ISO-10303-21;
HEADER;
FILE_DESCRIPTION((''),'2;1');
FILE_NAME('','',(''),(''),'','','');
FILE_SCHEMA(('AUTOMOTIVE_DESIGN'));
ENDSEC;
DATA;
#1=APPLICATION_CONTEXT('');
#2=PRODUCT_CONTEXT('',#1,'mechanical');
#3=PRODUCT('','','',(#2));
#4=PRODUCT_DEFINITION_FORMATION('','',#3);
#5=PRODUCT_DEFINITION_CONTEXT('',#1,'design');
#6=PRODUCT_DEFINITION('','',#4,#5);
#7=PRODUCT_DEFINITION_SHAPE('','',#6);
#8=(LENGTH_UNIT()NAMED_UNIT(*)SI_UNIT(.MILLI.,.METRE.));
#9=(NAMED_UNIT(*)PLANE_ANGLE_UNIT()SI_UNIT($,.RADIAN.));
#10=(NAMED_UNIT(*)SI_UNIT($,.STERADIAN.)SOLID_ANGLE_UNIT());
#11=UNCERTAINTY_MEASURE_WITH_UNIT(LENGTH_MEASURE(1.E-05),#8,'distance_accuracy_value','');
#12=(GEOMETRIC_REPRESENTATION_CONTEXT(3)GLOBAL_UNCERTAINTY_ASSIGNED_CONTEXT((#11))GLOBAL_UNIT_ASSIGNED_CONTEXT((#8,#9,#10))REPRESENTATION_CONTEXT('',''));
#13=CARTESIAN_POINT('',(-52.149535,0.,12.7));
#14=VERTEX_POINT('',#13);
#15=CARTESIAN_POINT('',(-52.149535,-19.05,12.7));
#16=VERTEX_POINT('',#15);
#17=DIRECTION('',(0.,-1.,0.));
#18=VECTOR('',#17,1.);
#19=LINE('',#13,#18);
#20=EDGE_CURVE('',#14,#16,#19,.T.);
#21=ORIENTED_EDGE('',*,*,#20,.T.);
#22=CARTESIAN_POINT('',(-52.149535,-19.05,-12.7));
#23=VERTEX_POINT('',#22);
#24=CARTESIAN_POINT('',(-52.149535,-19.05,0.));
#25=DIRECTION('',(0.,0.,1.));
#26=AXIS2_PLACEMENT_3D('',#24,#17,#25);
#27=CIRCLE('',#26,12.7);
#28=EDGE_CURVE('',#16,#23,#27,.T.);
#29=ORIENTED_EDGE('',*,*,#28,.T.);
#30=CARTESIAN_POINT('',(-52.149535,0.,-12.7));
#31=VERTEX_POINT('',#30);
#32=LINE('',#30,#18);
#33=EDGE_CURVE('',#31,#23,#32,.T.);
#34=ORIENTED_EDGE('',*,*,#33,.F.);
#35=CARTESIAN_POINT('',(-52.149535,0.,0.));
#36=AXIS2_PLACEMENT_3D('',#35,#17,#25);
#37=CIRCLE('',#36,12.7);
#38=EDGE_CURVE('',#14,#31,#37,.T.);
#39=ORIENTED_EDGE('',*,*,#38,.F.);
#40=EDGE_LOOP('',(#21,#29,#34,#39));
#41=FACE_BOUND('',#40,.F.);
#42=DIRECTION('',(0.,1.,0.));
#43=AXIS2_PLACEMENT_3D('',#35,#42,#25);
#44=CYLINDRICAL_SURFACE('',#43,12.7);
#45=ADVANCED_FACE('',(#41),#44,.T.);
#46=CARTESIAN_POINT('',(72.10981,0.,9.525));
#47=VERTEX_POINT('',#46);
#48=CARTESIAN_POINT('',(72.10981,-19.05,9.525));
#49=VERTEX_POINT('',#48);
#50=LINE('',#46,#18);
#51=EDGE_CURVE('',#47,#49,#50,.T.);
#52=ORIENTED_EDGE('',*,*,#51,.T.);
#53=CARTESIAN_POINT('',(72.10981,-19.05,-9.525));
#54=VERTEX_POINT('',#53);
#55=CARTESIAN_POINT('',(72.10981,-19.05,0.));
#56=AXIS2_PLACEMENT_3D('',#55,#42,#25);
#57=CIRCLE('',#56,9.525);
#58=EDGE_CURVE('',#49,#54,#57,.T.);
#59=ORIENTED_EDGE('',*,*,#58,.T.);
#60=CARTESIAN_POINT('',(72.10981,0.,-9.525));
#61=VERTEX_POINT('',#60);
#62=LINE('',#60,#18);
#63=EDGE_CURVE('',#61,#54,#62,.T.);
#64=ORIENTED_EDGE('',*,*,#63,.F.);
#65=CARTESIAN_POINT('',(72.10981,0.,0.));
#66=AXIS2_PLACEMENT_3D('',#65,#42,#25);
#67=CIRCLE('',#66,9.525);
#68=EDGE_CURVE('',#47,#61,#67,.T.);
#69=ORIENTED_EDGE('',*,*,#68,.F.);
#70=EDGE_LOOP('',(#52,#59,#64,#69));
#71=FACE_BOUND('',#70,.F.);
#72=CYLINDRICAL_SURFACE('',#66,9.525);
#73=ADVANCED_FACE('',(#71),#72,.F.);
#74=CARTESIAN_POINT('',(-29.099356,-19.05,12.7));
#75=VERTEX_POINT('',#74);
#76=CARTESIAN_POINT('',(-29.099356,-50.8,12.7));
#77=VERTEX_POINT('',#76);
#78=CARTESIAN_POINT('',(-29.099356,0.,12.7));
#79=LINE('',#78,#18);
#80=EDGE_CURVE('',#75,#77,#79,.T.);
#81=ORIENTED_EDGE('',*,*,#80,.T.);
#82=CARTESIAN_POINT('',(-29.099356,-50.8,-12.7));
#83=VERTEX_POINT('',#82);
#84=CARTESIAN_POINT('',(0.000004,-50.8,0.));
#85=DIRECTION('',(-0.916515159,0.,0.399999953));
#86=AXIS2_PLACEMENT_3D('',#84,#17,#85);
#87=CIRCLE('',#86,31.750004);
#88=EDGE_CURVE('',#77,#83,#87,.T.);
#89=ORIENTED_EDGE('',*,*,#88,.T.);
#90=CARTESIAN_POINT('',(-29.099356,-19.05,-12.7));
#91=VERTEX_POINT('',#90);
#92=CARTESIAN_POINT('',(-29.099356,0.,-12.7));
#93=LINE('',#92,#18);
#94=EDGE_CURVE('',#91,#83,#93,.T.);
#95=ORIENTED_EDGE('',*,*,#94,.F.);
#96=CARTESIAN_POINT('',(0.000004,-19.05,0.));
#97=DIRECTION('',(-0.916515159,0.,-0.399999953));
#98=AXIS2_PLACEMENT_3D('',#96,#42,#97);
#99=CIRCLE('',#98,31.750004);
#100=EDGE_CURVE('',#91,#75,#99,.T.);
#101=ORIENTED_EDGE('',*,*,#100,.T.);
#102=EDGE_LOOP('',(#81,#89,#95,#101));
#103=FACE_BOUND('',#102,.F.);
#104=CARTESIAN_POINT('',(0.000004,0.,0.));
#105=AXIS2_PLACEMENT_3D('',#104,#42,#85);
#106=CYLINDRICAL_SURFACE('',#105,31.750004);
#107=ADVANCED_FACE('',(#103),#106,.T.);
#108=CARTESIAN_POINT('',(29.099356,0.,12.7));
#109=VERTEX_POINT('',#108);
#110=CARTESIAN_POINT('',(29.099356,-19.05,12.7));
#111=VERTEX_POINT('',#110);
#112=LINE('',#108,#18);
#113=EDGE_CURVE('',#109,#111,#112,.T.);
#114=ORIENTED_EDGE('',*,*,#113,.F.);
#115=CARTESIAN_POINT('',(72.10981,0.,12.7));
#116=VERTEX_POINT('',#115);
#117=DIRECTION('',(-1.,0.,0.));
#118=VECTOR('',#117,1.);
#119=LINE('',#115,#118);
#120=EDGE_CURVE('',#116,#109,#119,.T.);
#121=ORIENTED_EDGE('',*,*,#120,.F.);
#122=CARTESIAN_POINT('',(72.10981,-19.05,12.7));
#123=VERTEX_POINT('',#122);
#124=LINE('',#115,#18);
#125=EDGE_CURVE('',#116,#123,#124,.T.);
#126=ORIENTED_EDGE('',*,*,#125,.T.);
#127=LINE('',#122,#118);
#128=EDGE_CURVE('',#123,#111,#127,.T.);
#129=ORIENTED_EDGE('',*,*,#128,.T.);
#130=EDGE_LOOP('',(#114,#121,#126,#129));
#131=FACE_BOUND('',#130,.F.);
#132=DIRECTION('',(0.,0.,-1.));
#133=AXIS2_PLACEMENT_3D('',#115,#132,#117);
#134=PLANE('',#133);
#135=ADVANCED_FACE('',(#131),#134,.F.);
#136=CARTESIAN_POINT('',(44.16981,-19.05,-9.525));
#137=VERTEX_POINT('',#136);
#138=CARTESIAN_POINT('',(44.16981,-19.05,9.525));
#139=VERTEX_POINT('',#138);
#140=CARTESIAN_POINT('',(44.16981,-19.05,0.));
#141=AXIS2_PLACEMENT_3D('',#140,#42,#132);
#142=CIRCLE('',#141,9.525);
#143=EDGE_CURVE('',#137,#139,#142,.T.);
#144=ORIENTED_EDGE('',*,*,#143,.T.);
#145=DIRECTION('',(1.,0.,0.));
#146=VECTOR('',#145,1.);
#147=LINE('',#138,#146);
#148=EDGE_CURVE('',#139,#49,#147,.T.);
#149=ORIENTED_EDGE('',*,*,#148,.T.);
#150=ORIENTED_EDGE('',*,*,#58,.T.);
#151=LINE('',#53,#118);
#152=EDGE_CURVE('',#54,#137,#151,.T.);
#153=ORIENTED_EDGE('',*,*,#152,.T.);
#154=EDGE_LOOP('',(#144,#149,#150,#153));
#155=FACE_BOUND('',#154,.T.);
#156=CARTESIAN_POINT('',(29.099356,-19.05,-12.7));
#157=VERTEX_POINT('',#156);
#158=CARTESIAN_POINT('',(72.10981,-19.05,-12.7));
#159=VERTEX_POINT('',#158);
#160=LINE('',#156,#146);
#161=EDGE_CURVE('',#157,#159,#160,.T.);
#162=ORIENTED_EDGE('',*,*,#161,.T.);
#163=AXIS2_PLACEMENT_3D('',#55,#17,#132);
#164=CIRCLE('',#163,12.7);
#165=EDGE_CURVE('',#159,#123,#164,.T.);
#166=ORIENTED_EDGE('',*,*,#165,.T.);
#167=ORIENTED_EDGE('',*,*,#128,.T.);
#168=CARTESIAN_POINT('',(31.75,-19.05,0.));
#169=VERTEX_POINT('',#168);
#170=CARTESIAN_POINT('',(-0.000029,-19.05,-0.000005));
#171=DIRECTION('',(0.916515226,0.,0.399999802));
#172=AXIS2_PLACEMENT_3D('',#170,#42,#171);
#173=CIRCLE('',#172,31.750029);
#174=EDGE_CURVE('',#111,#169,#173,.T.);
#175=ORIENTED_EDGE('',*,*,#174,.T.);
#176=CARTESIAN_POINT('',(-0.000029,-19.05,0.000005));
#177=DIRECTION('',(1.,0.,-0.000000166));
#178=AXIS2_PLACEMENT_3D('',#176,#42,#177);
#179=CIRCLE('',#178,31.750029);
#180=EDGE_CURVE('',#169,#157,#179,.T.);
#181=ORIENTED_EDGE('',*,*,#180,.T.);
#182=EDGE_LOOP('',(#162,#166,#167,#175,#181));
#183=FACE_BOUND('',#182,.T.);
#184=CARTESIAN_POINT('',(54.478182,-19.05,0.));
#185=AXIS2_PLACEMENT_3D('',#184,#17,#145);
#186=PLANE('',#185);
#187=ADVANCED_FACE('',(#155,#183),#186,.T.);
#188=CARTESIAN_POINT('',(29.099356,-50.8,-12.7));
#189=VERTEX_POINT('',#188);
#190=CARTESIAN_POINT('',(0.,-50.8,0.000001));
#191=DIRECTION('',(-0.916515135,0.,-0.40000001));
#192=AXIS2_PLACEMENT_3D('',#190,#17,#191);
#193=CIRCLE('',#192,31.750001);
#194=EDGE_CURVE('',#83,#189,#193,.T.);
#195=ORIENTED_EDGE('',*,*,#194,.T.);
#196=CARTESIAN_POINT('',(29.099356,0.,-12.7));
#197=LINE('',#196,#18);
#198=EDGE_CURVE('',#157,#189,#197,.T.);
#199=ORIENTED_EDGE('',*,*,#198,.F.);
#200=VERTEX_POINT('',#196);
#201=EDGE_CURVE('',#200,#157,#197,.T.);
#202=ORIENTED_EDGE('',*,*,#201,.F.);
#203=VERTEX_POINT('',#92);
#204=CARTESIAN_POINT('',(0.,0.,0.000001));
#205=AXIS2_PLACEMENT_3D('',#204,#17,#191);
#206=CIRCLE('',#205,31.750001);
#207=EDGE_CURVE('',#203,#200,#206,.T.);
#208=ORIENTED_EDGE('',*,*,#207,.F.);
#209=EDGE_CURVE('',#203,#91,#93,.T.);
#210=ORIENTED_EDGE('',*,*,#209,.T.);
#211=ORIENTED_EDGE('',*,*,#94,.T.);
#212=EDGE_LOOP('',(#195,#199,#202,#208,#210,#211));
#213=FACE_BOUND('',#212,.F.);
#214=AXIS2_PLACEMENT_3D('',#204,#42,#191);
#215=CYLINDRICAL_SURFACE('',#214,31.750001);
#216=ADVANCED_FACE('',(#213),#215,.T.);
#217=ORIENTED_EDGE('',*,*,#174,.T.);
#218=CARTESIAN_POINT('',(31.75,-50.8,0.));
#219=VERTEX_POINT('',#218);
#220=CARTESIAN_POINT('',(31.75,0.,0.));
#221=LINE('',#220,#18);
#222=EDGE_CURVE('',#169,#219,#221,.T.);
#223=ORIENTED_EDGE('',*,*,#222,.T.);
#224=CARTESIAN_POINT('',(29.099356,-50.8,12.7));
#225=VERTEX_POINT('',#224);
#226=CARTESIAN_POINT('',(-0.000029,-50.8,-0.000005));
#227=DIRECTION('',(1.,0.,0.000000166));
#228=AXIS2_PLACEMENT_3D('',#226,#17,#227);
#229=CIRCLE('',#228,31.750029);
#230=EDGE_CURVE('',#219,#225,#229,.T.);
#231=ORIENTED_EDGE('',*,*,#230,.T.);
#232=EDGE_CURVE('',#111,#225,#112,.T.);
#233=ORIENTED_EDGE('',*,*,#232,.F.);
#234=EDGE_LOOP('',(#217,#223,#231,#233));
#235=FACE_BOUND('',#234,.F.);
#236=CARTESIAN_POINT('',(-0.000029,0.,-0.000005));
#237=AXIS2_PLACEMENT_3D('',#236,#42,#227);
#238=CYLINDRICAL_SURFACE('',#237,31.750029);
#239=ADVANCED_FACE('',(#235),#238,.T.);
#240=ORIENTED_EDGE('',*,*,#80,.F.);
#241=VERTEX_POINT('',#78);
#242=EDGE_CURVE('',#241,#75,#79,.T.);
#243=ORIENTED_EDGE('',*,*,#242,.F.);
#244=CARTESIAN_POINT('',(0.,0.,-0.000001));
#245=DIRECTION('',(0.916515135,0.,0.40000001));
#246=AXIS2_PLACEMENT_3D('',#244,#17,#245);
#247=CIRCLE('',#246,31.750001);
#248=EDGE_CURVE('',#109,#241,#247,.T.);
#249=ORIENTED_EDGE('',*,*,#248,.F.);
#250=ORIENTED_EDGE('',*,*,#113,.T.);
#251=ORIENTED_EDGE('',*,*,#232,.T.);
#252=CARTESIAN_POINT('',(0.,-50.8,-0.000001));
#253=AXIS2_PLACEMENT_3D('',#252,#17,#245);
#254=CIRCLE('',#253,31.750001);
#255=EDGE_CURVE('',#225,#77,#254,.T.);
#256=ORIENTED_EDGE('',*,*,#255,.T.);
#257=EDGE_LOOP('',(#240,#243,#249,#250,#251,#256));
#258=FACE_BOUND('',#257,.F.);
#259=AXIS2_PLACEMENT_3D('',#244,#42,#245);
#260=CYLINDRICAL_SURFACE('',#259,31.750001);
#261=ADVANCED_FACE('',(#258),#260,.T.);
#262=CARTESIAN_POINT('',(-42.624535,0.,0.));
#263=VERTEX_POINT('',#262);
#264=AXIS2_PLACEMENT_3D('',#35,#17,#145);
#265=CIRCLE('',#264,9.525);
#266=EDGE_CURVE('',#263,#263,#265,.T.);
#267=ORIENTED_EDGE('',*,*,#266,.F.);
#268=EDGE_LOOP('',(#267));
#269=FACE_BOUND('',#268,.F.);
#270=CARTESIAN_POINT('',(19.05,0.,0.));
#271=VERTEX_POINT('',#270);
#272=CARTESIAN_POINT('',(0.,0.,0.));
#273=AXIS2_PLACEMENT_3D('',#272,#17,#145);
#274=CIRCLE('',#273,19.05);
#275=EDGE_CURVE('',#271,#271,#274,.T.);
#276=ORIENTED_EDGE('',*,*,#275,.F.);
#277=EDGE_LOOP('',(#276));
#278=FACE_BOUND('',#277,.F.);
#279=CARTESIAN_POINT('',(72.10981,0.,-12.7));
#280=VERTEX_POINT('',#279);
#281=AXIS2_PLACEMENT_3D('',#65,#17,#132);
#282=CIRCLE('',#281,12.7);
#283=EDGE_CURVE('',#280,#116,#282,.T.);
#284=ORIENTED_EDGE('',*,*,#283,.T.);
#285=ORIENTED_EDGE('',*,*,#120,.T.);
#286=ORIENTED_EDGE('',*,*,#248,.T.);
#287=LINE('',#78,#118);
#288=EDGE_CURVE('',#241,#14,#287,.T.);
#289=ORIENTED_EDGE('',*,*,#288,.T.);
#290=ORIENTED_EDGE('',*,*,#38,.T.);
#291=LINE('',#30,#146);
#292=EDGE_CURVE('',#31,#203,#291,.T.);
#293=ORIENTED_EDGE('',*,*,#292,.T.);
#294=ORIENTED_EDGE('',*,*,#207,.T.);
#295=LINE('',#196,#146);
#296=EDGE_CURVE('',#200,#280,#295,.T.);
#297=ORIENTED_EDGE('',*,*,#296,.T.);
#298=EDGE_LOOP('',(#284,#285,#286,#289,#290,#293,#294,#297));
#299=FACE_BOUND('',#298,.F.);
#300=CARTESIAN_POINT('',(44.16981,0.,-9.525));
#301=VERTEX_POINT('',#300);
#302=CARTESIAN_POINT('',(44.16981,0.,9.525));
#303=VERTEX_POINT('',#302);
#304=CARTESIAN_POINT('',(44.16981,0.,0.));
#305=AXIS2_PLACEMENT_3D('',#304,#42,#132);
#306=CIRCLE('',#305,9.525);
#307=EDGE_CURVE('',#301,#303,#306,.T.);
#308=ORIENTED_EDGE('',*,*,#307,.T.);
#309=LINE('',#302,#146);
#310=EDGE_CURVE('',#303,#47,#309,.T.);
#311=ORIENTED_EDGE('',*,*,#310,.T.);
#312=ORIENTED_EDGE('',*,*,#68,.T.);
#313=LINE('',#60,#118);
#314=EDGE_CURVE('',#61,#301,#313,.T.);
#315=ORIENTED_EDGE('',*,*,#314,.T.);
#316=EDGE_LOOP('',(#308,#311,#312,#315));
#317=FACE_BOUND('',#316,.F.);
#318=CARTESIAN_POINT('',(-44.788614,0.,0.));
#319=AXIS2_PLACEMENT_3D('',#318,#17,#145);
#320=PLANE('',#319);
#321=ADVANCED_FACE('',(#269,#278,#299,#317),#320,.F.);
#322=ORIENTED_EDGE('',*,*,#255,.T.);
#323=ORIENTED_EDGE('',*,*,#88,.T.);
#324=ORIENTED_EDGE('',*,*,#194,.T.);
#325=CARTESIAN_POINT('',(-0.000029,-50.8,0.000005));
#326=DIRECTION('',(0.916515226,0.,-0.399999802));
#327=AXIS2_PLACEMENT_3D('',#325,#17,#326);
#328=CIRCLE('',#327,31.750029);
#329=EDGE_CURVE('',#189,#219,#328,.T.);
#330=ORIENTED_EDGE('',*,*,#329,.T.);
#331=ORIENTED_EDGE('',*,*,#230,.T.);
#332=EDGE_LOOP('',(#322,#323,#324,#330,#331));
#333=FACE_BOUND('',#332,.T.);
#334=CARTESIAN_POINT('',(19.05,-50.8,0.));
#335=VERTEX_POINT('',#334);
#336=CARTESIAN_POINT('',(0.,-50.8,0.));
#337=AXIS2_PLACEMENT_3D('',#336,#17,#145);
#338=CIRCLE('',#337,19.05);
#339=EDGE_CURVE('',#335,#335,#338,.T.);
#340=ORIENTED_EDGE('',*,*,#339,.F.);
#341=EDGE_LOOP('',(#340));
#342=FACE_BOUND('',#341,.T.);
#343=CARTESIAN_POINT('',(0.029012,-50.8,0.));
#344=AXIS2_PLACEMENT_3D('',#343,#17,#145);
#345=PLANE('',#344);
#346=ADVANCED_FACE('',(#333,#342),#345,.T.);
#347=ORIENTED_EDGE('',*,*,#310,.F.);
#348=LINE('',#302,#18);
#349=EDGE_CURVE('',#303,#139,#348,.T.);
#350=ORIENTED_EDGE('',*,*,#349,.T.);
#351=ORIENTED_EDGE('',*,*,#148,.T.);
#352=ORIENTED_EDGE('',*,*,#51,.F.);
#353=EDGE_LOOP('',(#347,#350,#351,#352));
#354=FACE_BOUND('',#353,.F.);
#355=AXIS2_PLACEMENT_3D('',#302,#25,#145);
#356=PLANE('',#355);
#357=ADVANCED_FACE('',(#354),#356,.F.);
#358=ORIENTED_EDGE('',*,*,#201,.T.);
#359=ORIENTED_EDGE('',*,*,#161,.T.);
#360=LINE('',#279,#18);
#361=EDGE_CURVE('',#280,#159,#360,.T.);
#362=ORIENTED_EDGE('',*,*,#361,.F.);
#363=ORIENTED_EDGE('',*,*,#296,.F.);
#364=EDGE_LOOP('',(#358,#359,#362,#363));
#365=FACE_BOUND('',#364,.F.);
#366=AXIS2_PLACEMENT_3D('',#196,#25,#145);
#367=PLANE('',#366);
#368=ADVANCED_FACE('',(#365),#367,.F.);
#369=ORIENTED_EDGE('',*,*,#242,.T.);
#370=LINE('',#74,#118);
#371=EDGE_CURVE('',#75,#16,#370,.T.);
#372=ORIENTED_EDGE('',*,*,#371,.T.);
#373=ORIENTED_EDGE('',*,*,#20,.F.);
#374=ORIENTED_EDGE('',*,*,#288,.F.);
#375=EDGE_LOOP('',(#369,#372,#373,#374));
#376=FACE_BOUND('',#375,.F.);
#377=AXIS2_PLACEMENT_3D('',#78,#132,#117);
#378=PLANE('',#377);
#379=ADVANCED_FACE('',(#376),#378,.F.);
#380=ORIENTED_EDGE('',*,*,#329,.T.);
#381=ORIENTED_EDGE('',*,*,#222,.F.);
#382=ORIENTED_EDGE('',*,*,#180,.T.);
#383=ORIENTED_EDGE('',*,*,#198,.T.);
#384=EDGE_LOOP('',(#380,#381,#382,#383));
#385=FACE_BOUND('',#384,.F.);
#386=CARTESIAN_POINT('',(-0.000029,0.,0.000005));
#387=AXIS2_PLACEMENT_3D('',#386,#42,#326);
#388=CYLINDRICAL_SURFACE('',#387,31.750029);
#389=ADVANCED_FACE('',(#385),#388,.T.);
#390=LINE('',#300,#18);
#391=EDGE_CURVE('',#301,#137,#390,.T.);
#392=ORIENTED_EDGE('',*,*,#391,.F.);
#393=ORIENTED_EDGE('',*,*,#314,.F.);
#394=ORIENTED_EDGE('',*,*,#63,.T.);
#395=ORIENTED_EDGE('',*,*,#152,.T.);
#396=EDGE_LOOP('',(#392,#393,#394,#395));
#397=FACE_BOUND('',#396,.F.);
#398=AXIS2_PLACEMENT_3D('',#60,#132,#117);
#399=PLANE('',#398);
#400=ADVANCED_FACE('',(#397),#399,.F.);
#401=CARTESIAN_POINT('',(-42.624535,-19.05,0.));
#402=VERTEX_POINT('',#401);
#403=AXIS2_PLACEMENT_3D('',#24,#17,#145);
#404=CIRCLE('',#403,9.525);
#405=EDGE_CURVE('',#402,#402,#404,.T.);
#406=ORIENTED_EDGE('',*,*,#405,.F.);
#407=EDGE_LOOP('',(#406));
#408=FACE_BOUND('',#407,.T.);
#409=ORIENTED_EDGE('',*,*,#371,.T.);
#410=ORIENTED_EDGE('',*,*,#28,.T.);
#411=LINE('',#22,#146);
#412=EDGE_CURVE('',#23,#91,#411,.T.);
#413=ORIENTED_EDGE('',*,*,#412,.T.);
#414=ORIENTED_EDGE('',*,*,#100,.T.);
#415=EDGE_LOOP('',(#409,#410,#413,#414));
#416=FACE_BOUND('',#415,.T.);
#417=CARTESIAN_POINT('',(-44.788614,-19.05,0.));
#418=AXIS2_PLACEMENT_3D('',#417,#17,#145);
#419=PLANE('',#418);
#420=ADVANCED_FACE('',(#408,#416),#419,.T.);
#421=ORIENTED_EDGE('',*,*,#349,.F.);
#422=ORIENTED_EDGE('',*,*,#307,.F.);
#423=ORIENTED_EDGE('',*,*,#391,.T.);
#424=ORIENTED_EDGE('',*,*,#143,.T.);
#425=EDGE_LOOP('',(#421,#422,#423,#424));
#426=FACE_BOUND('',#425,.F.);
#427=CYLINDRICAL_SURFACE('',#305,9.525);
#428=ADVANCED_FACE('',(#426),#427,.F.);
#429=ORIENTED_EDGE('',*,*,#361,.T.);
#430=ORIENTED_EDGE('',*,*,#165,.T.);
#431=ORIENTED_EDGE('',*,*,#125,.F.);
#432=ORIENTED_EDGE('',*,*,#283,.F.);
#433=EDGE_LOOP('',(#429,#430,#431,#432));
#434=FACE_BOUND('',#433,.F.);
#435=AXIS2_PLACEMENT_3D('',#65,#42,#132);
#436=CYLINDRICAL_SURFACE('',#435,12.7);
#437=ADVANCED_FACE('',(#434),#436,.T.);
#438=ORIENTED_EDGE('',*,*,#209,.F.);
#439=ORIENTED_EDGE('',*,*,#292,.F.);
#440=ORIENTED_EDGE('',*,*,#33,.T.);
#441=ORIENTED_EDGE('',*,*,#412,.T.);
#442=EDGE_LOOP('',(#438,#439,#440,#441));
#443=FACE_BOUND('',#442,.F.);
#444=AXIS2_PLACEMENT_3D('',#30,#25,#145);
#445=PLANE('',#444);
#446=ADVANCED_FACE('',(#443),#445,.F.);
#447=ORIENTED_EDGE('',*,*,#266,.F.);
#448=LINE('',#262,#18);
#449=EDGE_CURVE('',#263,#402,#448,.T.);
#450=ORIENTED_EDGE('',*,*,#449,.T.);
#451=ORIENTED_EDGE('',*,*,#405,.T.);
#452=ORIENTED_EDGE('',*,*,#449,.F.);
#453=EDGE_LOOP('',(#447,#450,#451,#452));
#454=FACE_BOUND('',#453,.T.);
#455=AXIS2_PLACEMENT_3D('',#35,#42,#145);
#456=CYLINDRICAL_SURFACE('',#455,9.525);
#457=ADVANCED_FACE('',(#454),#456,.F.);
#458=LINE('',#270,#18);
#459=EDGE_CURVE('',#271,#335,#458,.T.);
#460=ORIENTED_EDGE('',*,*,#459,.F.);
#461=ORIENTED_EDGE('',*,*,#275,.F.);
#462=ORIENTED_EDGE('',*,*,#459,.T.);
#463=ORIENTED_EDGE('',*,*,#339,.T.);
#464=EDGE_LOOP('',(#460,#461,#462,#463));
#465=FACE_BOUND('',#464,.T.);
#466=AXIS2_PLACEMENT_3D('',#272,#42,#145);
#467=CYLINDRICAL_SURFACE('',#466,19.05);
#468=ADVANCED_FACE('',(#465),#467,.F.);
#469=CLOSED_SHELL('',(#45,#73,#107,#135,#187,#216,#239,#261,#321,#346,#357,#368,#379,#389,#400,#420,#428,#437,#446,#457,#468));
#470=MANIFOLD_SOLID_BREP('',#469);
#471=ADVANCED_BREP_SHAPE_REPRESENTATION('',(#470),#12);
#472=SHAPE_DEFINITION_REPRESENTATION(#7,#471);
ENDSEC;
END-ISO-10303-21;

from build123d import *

# Parameters (mm, degrees)
F0_R     = 19.05
F1_DEPTH = 50.8
F0_R_2   = 9.525
F2_DEPTH = 19.05


with BuildPart() as f1:
    # F0 (on Front) → F1 (new body)
    with BuildSketch(Plane.XZ):
        with BuildLine():
            ThreePointArc((29.099356, -12.7), (31.080275, -6.486831), (31.75, 0))
            ThreePointArc((31.75, 0), (31.080275, 6.486831), (29.099356, 12.7))
            ThreePointArc((29.099356, 12.7), (0, 31.75), (-29.099356, 12.7))
            ThreePointArc((-29.099356, 12.7), (-31.75, 0), (-29.099356, -12.7))
            ThreePointArc((-29.099356, -12.7), (0, -31.75), (29.099356, -12.7))
        make_face()
        Circle(F0_R, mode=Mode.SUBTRACT)
    extrude(amount=F1_DEPTH)

    # F0 (on Front) → F2 (join)
    with BuildSketch(Plane.XZ):
        with BuildLine():
            ThreePointArc((-29.099356, -12.7), (-31.75, 0), (-29.099356, 12.7))
            Line((-29.099356, 12.7), (-52.149535, 12.7))
            ThreePointArc((-52.149535, 12.7), (-64.849535, 0), (-52.149535, -12.7))
            Line((-52.149535, -12.7), (-29.099356, -12.7))
        make_face()
        with Locations((-52.149535, 0)):
            Circle(F0_R_2, mode=Mode.SUBTRACT)
        with BuildLine():
            ThreePointArc((29.099356, 12.7), (31.080275, 6.486831), (31.75, 0))
            ThreePointArc((31.75, 0), (31.080275, -6.486831), (29.099356, -12.7))
            Line((29.099356, -12.7), (72.10981, -12.7))
            ThreePointArc((72.10981, -12.7), (84.80981, 0), (72.10981, 12.7))
            Line((72.10981, 12.7), (29.099356, 12.7))
        make_face()
        with BuildLine():
            ThreePointArc((72.10981, 9.525), (81.63481, 0), (72.10981, -9.525))
            Line((72.10981, -9.525), (44.16981, -9.525))
            ThreePointArc((44.16981, -9.525), (34.64481, 0), (44.16981, 9.525))
            Line((44.16981, 9.525), (72.10981, 9.525))
        make_face(mode=Mode.SUBTRACT)
    extrude(amount=F2_DEPTH)


solid = f1.part
